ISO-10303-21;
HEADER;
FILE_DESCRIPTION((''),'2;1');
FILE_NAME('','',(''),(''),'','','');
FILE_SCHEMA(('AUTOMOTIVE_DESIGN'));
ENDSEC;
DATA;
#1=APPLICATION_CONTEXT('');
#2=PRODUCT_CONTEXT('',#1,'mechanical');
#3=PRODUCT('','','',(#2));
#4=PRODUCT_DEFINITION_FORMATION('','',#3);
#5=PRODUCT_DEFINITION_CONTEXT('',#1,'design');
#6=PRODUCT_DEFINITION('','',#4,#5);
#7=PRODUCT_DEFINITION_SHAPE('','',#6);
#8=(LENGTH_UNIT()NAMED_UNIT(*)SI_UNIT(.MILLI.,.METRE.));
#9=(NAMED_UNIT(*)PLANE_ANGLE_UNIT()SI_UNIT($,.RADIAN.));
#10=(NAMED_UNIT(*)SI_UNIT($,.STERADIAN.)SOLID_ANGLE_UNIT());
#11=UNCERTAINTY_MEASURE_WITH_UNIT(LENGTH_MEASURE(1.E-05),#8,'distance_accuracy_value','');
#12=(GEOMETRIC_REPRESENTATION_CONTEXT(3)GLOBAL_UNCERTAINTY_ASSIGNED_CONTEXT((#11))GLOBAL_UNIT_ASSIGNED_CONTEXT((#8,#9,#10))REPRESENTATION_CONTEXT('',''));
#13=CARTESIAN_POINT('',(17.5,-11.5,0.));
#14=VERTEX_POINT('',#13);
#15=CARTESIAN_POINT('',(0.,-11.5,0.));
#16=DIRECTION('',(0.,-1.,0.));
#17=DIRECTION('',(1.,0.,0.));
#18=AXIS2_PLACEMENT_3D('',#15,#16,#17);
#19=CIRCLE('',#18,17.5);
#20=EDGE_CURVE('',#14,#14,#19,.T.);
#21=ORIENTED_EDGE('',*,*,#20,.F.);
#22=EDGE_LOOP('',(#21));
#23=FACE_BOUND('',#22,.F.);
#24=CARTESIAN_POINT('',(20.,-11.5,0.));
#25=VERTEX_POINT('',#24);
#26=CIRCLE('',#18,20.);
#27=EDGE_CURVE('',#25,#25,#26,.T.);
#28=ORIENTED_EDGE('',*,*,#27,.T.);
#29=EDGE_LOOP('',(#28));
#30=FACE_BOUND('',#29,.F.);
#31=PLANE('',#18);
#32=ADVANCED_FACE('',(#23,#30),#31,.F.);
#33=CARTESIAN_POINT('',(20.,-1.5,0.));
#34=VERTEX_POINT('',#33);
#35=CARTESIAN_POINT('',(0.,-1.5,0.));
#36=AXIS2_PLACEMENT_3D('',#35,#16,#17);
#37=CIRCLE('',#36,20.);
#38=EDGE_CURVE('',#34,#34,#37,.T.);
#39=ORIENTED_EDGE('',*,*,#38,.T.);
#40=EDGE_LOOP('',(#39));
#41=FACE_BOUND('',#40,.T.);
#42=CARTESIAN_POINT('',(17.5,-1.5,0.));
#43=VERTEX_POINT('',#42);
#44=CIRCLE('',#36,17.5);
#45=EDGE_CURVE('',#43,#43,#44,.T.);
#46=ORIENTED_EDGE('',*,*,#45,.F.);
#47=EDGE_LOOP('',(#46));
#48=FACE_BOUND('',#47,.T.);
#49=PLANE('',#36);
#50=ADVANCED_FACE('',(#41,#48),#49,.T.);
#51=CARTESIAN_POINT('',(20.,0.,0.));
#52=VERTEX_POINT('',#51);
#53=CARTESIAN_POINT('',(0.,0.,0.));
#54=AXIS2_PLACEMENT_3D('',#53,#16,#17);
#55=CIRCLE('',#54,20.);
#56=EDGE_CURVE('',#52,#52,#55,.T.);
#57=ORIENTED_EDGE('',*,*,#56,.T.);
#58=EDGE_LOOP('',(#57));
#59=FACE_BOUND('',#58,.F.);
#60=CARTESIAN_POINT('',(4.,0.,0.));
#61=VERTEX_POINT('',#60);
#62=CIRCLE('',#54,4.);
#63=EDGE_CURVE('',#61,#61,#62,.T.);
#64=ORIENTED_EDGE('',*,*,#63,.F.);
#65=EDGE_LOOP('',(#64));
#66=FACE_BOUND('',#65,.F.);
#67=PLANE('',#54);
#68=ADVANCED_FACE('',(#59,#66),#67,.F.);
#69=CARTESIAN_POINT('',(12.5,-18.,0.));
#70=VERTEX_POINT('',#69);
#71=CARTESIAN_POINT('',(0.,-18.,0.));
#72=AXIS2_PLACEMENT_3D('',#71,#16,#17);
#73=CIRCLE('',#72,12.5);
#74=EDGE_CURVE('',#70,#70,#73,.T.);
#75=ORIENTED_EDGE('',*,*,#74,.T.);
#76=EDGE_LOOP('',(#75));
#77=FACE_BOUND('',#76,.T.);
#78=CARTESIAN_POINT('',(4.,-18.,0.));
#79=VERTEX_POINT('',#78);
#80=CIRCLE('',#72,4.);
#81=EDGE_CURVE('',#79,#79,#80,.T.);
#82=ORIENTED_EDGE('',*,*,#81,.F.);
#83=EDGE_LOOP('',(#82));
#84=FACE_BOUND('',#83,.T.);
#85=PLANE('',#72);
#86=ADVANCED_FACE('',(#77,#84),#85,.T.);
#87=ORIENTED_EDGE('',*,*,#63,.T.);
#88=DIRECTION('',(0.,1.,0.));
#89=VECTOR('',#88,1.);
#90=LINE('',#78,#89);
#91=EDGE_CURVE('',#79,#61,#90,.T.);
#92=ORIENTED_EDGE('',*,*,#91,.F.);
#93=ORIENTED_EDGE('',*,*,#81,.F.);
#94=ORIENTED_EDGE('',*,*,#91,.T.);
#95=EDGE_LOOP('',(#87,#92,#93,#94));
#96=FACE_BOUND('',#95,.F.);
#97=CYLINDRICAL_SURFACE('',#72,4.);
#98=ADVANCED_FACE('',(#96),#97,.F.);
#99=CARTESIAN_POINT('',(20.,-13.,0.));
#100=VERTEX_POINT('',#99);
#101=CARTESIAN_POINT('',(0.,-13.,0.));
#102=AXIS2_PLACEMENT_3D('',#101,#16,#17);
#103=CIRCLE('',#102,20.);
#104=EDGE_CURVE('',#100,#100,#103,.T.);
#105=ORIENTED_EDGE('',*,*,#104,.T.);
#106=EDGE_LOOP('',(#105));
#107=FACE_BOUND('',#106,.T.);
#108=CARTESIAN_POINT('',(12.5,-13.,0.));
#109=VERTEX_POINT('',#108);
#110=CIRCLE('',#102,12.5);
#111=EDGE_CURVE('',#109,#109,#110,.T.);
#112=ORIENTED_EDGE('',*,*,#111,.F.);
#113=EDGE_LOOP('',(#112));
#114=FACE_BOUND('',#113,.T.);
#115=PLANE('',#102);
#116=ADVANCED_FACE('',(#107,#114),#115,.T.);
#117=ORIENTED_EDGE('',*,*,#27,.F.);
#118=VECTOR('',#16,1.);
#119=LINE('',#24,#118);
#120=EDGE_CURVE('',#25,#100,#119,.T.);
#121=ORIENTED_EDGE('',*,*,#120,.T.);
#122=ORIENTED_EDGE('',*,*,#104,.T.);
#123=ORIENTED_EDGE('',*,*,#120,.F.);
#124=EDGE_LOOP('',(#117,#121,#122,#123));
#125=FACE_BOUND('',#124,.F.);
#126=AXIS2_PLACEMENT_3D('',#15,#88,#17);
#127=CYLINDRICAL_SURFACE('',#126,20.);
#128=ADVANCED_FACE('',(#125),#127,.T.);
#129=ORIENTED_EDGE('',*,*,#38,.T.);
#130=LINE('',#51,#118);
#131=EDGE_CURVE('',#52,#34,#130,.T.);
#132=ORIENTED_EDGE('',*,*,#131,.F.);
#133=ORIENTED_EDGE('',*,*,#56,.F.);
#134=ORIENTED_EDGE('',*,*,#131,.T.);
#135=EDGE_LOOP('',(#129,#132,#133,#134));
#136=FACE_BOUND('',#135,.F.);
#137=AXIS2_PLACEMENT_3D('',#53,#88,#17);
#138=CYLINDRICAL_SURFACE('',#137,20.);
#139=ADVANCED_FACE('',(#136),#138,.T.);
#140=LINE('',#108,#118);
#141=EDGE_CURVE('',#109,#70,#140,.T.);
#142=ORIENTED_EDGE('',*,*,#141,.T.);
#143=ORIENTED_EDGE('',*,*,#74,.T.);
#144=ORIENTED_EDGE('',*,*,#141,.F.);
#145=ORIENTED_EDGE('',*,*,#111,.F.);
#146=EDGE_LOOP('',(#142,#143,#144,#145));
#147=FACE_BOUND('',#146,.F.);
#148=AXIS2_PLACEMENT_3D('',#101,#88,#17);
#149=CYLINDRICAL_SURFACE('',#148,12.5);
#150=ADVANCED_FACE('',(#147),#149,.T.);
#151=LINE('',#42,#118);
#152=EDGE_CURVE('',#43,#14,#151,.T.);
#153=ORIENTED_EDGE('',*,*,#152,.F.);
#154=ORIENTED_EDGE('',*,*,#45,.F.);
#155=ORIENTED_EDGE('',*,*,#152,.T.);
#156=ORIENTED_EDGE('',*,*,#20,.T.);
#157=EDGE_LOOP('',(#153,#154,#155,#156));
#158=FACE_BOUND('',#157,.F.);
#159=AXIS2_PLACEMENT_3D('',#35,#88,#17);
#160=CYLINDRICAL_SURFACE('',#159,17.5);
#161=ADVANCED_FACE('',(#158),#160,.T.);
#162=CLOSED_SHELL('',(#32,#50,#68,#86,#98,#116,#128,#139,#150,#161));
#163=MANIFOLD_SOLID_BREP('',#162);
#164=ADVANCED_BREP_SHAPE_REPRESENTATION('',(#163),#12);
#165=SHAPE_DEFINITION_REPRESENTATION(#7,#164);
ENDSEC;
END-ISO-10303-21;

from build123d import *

# Parameters (mm, degrees)
F0_R     = 20
F1_DEPTH = 1.5
F2_R     = 17.5
F3_DEPTH = 10
F4_R     = 20
F5_DEPTH = 1.5
F6_R     = 12.5
F7_DEPTH = 5
F8_R     = 4
F9_DEPTH = 20


with BuildPart() as f1:
    # F0 (on Front) → F1 (new body)
    with BuildSketch(Plane.XZ):
        Circle(F0_R)
    extrude(amount=F1_DEPTH)

    # F2 (on face) → F3 (join)
    with BuildSketch(Plane.XZ.offset(1.5)):
        Circle(F2_R)
    extrude(amount=F3_DEPTH)

    # F4 (on face) → F5 (join)
    with BuildSketch(Plane.XZ.offset(11.5)):
        Circle(F4_R)
    extrude(amount=F5_DEPTH)

    # F6 (on face) → F7 (join)
    with BuildSketch(Plane.XZ.offset(13)):
        Circle(F6_R)
    extrude(amount=F7_DEPTH)

    # F8 (on face) → F9 (cut)
    with BuildSketch(Plane.XZ.offset(18)):
        Circle(F8_R)
    extrude(amount=-F9_DEPTH, mode=Mode.SUBTRACT)


solid = f1.part
